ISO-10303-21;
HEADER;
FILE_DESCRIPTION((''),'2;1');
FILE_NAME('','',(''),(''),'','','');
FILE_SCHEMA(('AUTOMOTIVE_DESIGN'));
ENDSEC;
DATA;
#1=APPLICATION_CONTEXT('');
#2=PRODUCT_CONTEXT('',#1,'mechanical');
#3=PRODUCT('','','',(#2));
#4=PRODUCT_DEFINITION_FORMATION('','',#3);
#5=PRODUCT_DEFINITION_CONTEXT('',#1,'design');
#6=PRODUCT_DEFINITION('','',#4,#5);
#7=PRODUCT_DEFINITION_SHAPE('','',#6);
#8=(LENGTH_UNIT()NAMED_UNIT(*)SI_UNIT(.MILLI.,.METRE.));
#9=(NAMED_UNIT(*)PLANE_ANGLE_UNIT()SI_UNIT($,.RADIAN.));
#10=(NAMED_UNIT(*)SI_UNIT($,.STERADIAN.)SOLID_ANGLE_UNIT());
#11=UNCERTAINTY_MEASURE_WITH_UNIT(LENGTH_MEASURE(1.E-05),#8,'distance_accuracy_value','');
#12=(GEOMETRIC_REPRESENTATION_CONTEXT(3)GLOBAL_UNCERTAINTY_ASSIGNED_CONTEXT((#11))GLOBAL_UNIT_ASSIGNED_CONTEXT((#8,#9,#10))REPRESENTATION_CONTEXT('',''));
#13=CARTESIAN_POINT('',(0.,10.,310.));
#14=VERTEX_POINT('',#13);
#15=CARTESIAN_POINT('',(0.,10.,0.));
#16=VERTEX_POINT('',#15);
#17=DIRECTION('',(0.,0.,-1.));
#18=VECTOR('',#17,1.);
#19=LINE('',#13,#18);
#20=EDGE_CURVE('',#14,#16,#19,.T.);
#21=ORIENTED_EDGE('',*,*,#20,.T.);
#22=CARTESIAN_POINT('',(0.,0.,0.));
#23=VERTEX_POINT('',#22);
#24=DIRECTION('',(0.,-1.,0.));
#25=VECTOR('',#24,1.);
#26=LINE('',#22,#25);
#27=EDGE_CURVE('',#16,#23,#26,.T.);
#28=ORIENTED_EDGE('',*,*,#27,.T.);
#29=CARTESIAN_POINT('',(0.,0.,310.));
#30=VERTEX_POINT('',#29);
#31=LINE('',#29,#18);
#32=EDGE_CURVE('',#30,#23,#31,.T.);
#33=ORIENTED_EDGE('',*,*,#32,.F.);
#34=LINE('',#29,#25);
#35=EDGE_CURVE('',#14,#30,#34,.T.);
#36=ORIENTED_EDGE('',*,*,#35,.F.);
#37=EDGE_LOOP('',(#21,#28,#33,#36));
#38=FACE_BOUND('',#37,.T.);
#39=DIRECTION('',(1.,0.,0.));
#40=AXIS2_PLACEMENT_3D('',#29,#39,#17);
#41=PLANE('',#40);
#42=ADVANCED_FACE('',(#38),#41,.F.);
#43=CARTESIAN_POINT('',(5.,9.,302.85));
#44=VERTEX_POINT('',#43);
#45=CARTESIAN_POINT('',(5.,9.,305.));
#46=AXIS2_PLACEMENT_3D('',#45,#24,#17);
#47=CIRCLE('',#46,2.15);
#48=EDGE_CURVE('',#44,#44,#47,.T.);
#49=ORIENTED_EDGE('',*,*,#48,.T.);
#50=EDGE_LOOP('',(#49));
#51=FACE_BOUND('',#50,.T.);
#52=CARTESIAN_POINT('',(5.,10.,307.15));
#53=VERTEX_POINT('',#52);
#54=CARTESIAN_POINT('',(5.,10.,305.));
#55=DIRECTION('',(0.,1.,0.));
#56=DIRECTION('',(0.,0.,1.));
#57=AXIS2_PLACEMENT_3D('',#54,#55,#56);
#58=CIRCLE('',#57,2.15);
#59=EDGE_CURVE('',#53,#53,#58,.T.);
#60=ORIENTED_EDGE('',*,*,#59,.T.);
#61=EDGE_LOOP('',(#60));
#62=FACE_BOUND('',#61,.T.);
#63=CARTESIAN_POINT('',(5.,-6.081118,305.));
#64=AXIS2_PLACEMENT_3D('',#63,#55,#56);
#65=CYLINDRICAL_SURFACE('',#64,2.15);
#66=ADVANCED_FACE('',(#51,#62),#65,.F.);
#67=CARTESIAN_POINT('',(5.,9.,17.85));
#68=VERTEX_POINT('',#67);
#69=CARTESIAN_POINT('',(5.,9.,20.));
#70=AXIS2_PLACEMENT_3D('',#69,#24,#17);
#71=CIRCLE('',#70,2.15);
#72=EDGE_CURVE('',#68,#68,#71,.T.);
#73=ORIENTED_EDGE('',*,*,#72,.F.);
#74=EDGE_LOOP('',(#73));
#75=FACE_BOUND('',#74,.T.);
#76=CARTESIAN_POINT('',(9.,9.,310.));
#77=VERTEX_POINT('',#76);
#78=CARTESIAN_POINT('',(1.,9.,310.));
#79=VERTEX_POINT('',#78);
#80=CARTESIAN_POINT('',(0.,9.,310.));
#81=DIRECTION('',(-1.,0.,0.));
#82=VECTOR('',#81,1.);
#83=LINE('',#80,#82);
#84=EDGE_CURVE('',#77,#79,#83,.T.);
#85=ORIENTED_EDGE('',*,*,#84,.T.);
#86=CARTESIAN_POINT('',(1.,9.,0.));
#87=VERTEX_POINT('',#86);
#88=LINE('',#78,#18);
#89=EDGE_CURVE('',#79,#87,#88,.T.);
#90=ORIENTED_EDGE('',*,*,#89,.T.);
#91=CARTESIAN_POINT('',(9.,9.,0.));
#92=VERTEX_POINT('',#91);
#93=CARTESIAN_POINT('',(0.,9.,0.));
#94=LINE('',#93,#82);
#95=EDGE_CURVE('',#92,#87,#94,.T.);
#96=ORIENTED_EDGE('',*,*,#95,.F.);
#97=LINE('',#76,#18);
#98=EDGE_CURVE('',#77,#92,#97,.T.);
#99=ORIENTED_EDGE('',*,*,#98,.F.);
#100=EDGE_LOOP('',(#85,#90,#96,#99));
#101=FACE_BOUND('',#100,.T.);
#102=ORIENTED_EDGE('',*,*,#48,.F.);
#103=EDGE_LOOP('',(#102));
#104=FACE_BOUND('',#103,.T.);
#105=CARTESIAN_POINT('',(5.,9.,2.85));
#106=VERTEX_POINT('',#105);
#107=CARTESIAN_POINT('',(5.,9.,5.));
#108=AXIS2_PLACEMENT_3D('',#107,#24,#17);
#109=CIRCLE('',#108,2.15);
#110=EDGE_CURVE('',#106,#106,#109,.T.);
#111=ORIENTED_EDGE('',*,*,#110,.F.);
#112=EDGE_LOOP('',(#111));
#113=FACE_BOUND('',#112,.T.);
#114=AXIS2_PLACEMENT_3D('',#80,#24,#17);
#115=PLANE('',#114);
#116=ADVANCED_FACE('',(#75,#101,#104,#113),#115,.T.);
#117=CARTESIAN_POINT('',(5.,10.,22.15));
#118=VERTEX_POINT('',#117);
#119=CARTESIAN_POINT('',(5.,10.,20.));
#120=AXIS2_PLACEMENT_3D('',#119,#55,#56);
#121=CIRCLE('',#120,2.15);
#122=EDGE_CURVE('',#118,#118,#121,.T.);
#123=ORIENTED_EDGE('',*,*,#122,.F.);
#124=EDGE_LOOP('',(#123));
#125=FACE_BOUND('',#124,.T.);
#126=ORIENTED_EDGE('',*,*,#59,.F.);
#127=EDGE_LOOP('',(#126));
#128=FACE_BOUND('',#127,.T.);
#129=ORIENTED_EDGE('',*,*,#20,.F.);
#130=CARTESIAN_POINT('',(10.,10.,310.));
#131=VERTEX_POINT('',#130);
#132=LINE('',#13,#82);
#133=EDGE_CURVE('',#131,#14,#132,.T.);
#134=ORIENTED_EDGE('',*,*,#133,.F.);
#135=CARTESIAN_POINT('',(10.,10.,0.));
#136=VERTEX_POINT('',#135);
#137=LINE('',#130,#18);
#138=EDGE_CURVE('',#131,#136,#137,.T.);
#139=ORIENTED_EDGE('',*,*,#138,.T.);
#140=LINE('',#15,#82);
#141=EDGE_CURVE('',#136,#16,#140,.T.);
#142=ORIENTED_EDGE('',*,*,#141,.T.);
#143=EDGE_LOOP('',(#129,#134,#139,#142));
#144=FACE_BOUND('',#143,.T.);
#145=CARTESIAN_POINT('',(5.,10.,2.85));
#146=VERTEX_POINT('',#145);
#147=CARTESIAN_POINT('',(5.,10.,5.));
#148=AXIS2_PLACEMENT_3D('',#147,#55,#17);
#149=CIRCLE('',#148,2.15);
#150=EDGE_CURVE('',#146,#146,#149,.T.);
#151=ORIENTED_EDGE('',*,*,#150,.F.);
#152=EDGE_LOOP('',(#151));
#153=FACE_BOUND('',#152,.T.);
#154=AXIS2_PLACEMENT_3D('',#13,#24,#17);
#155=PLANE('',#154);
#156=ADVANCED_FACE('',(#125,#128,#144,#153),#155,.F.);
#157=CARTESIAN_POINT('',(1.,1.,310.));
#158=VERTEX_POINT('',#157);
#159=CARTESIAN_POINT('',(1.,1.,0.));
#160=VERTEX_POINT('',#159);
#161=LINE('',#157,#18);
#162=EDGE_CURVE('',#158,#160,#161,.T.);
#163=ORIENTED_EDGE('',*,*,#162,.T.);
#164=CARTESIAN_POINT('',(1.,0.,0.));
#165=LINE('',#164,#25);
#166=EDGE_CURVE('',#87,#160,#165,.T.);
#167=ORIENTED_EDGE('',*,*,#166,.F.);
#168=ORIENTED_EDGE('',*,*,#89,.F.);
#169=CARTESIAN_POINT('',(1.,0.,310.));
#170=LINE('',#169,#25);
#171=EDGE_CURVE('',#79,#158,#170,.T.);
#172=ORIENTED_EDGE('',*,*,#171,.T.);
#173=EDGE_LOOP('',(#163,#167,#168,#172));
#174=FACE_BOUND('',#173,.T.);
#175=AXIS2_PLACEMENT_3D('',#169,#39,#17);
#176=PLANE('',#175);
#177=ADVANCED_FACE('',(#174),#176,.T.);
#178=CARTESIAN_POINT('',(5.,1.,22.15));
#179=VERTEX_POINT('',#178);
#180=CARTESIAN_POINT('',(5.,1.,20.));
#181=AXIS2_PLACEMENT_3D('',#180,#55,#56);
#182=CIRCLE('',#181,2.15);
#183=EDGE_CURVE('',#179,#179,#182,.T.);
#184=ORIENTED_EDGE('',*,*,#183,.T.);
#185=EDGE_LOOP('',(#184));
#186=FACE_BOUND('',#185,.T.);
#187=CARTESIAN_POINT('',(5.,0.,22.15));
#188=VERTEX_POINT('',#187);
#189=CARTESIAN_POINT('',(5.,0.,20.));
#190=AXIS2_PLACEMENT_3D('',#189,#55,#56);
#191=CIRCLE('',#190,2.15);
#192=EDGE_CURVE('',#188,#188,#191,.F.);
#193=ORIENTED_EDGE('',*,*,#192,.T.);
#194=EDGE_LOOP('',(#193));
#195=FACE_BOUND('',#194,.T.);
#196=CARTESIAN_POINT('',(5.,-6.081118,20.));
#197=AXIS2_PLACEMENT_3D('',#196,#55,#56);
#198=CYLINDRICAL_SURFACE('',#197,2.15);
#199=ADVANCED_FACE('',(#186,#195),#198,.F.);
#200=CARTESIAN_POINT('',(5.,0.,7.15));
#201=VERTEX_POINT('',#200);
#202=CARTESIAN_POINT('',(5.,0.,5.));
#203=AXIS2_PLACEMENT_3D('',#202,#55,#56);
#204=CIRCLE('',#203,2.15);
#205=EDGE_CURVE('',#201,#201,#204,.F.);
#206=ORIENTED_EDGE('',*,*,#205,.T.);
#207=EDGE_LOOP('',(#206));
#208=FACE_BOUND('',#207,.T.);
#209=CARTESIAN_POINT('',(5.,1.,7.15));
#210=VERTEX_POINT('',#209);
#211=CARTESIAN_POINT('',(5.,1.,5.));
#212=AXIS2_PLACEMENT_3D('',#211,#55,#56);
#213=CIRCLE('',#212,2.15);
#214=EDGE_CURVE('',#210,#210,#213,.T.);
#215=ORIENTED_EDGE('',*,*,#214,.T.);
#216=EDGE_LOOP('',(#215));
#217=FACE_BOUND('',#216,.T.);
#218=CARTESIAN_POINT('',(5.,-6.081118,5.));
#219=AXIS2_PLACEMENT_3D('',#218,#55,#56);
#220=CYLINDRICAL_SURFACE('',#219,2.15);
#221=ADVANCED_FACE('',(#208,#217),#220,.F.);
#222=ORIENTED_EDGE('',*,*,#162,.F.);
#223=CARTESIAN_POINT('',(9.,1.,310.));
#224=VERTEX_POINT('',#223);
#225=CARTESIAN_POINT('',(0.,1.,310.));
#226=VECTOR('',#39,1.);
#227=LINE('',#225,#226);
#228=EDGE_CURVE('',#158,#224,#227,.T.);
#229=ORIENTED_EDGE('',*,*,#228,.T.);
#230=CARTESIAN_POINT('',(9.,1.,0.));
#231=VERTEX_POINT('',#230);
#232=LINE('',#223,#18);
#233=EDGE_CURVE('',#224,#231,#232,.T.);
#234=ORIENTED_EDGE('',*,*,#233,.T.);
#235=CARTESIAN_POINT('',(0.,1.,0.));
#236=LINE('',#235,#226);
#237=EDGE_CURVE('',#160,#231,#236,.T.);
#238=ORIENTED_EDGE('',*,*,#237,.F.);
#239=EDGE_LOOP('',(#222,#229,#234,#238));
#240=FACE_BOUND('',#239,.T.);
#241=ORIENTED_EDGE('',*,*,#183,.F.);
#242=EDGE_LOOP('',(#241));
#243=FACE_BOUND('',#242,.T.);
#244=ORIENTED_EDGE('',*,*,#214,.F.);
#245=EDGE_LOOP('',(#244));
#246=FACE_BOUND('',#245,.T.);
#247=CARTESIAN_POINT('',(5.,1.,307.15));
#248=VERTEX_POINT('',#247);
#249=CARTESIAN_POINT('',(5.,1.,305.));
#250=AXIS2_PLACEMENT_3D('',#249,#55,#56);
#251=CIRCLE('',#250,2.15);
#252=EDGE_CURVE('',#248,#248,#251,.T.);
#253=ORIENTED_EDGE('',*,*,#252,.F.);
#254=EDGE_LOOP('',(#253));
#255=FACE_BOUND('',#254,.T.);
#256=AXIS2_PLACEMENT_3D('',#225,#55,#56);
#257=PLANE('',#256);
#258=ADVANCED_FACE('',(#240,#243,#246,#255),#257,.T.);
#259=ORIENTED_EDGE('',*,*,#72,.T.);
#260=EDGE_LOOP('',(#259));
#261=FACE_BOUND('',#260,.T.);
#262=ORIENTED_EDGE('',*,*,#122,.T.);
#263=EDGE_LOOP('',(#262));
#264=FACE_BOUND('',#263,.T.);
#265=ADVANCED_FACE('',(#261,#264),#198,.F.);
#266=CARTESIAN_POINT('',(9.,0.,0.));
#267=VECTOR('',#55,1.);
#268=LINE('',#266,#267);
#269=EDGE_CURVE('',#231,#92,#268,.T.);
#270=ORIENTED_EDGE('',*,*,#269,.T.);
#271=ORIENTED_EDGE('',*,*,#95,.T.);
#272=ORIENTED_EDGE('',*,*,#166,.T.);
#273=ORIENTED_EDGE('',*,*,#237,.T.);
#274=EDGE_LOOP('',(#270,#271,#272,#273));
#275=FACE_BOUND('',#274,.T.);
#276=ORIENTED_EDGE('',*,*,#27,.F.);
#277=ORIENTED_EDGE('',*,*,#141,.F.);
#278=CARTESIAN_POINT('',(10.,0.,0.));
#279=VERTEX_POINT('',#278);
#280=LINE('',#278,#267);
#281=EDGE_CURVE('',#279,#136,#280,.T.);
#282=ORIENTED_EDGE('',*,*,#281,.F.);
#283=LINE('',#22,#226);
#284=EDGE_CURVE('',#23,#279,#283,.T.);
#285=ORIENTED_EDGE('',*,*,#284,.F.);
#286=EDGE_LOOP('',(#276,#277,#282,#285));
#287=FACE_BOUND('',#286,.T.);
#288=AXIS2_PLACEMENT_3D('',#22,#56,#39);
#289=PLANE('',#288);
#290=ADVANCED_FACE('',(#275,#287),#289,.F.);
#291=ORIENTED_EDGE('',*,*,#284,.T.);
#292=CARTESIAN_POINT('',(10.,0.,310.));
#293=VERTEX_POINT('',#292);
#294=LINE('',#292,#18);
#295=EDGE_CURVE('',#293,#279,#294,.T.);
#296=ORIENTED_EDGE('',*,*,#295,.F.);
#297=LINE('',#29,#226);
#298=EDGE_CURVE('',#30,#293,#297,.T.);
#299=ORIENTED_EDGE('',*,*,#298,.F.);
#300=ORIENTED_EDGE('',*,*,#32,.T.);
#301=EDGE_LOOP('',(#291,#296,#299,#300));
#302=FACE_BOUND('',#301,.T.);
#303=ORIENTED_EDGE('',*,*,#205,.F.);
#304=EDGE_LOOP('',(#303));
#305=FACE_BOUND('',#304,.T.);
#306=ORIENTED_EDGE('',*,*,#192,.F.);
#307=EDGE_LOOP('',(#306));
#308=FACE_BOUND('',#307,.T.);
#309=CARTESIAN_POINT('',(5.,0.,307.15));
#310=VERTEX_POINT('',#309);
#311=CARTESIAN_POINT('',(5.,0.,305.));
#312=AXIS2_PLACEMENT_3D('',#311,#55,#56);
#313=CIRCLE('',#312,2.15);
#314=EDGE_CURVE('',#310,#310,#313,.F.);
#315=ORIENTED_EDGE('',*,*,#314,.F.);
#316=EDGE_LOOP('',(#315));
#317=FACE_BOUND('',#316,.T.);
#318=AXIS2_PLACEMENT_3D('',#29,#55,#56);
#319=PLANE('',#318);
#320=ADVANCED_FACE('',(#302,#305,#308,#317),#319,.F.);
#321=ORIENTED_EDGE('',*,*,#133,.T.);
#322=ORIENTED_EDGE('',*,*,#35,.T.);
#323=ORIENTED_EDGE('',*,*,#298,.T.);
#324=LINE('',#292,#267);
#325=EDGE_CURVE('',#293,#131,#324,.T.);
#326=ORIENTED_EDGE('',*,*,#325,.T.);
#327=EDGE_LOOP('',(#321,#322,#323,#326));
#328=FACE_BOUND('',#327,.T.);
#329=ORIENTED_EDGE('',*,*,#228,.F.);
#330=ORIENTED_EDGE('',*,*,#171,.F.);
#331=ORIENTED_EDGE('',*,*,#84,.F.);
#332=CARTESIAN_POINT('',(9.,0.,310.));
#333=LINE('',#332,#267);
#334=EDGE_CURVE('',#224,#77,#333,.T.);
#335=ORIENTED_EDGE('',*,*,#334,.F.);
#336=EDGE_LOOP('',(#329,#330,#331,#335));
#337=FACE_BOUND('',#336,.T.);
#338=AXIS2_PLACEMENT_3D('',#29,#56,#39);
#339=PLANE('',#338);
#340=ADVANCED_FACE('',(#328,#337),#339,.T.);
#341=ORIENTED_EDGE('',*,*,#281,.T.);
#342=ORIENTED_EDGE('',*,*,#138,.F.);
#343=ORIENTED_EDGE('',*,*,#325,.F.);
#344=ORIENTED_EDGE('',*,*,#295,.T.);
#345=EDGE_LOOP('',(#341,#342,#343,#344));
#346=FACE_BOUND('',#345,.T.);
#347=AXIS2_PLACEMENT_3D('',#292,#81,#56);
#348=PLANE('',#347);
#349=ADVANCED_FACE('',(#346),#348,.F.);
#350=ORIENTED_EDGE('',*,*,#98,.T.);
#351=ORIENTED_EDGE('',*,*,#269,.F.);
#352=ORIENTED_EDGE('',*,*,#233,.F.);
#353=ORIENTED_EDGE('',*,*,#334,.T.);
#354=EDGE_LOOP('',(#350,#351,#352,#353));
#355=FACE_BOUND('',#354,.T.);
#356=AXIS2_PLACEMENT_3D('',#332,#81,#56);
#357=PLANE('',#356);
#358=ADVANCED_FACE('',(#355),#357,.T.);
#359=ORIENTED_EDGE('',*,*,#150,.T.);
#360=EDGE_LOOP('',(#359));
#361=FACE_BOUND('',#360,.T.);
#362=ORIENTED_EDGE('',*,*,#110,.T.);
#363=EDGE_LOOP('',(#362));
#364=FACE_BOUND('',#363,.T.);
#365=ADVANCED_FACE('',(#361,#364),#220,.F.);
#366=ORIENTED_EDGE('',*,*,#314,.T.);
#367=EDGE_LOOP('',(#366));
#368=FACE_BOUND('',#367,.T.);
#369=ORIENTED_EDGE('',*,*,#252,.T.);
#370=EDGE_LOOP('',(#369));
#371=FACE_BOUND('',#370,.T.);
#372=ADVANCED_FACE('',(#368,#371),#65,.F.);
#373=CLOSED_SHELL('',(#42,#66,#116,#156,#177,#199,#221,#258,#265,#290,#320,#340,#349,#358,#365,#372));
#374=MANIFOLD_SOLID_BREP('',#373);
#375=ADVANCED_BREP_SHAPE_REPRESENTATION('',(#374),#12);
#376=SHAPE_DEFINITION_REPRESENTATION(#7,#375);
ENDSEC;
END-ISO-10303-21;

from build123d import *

# Parameters (mm, degrees)
SKETCH_2_W          = 10
SKETCH_2_H          = 10
SKETCH_2_W_2        = 8
SKETCH_2_H_2        = 8
EXTRUDE_1_DEPTH     = 310
CUT_EXTRUDE_1_REACH = 312.322
SKETCH_3_R          = 2.15


with BuildPart() as part:
    # ｽｹｯﾁ2 → 押し出し-薄板1 (new body)
    with BuildSketch(Plane.XY):
        with Locations((5, 5)):
            Rectangle(SKETCH_2_W, SKETCH_2_H)
        with Locations((5, 5)):
            Rectangle(SKETCH_2_W_2, SKETCH_2_H_2, mode=Mode.SUBTRACT)
    extrude(amount=EXTRUDE_1_DEPTH)

    # ｶｯﾄ - 押し出し1: up to this face of the body (flat: up to its plane)
    cut_extrude_1_end = Plane(part.part.faces().sort_by_distance((5, 0, 155))[0])
    # ｽｹｯﾁ3 → ｶｯﾄ - 押し出し1 (cut, up to the picked face)
    with BuildSketch(Plane(origin=(0, 10, 0), x_dir=(1, 0, 0), z_dir=(0, 1, 0)), mode=Mode.PRIVATE) as cut_extrude_1_sk1:
        with Locations(Location((5, -305, 0), (0, 0, 270))):
            Circle(SKETCH_3_R)
    cut_extrude_1_tool1 = split(extrude(cut_extrude_1_sk1.sketch, amount=-CUT_EXTRUDE_1_REACH, mode=Mode.PRIVATE), bisect_by=cut_extrude_1_end, keep=Keep.BOTH, mode=Mode.PRIVATE)
    # ｽｹｯﾁ3 → ｶｯﾄ - 押し出し1 (cut, up to the picked face)
    with BuildSketch(Plane(origin=(0, 10, 0), x_dir=(1, 0, 0), z_dir=(0, 1, 0)), mode=Mode.PRIVATE) as cut_extrude_1_sk2:
        with Locations(Location((5, -5, 0), (0, 0, 90))):
            Circle(SKETCH_3_R)
    cut_extrude_1_tool2 = split(extrude(cut_extrude_1_sk2.sketch, amount=-CUT_EXTRUDE_1_REACH, mode=Mode.PRIVATE), bisect_by=cut_extrude_1_end, keep=Keep.BOTH, mode=Mode.PRIVATE)
    # ｽｹｯﾁ3 → ｶｯﾄ - 押し出し1 (cut, up to the picked face)
    with BuildSketch(Plane(origin=(0, 10, 0), x_dir=(1, 0, 0), z_dir=(0, 1, 0)), mode=Mode.PRIVATE) as cut_extrude_1_sk3:
        with Locations(Location((5, -20, 0), (0, 0, 270))):
            Circle(SKETCH_3_R)
    cut_extrude_1_tool3 = split(extrude(cut_extrude_1_sk3.sketch, amount=-CUT_EXTRUDE_1_REACH, mode=Mode.PRIVATE), bisect_by=cut_extrude_1_end, keep=Keep.BOTH, mode=Mode.PRIVATE)
    add(cut_extrude_1_tool1.solids().sort_by(Axis((5, 10, 305), (0, -1, 0)))[0], mode=Mode.SUBTRACT)
    add(cut_extrude_1_tool2.solids().sort_by(Axis((5, 10, 5), (0, -1, 0)))[0], mode=Mode.SUBTRACT)
    add(cut_extrude_1_tool3.solids().sort_by(Axis((5, 10, 20), (0, -1, 0)))[0], mode=Mode.SUBTRACT)


solid = part.part
